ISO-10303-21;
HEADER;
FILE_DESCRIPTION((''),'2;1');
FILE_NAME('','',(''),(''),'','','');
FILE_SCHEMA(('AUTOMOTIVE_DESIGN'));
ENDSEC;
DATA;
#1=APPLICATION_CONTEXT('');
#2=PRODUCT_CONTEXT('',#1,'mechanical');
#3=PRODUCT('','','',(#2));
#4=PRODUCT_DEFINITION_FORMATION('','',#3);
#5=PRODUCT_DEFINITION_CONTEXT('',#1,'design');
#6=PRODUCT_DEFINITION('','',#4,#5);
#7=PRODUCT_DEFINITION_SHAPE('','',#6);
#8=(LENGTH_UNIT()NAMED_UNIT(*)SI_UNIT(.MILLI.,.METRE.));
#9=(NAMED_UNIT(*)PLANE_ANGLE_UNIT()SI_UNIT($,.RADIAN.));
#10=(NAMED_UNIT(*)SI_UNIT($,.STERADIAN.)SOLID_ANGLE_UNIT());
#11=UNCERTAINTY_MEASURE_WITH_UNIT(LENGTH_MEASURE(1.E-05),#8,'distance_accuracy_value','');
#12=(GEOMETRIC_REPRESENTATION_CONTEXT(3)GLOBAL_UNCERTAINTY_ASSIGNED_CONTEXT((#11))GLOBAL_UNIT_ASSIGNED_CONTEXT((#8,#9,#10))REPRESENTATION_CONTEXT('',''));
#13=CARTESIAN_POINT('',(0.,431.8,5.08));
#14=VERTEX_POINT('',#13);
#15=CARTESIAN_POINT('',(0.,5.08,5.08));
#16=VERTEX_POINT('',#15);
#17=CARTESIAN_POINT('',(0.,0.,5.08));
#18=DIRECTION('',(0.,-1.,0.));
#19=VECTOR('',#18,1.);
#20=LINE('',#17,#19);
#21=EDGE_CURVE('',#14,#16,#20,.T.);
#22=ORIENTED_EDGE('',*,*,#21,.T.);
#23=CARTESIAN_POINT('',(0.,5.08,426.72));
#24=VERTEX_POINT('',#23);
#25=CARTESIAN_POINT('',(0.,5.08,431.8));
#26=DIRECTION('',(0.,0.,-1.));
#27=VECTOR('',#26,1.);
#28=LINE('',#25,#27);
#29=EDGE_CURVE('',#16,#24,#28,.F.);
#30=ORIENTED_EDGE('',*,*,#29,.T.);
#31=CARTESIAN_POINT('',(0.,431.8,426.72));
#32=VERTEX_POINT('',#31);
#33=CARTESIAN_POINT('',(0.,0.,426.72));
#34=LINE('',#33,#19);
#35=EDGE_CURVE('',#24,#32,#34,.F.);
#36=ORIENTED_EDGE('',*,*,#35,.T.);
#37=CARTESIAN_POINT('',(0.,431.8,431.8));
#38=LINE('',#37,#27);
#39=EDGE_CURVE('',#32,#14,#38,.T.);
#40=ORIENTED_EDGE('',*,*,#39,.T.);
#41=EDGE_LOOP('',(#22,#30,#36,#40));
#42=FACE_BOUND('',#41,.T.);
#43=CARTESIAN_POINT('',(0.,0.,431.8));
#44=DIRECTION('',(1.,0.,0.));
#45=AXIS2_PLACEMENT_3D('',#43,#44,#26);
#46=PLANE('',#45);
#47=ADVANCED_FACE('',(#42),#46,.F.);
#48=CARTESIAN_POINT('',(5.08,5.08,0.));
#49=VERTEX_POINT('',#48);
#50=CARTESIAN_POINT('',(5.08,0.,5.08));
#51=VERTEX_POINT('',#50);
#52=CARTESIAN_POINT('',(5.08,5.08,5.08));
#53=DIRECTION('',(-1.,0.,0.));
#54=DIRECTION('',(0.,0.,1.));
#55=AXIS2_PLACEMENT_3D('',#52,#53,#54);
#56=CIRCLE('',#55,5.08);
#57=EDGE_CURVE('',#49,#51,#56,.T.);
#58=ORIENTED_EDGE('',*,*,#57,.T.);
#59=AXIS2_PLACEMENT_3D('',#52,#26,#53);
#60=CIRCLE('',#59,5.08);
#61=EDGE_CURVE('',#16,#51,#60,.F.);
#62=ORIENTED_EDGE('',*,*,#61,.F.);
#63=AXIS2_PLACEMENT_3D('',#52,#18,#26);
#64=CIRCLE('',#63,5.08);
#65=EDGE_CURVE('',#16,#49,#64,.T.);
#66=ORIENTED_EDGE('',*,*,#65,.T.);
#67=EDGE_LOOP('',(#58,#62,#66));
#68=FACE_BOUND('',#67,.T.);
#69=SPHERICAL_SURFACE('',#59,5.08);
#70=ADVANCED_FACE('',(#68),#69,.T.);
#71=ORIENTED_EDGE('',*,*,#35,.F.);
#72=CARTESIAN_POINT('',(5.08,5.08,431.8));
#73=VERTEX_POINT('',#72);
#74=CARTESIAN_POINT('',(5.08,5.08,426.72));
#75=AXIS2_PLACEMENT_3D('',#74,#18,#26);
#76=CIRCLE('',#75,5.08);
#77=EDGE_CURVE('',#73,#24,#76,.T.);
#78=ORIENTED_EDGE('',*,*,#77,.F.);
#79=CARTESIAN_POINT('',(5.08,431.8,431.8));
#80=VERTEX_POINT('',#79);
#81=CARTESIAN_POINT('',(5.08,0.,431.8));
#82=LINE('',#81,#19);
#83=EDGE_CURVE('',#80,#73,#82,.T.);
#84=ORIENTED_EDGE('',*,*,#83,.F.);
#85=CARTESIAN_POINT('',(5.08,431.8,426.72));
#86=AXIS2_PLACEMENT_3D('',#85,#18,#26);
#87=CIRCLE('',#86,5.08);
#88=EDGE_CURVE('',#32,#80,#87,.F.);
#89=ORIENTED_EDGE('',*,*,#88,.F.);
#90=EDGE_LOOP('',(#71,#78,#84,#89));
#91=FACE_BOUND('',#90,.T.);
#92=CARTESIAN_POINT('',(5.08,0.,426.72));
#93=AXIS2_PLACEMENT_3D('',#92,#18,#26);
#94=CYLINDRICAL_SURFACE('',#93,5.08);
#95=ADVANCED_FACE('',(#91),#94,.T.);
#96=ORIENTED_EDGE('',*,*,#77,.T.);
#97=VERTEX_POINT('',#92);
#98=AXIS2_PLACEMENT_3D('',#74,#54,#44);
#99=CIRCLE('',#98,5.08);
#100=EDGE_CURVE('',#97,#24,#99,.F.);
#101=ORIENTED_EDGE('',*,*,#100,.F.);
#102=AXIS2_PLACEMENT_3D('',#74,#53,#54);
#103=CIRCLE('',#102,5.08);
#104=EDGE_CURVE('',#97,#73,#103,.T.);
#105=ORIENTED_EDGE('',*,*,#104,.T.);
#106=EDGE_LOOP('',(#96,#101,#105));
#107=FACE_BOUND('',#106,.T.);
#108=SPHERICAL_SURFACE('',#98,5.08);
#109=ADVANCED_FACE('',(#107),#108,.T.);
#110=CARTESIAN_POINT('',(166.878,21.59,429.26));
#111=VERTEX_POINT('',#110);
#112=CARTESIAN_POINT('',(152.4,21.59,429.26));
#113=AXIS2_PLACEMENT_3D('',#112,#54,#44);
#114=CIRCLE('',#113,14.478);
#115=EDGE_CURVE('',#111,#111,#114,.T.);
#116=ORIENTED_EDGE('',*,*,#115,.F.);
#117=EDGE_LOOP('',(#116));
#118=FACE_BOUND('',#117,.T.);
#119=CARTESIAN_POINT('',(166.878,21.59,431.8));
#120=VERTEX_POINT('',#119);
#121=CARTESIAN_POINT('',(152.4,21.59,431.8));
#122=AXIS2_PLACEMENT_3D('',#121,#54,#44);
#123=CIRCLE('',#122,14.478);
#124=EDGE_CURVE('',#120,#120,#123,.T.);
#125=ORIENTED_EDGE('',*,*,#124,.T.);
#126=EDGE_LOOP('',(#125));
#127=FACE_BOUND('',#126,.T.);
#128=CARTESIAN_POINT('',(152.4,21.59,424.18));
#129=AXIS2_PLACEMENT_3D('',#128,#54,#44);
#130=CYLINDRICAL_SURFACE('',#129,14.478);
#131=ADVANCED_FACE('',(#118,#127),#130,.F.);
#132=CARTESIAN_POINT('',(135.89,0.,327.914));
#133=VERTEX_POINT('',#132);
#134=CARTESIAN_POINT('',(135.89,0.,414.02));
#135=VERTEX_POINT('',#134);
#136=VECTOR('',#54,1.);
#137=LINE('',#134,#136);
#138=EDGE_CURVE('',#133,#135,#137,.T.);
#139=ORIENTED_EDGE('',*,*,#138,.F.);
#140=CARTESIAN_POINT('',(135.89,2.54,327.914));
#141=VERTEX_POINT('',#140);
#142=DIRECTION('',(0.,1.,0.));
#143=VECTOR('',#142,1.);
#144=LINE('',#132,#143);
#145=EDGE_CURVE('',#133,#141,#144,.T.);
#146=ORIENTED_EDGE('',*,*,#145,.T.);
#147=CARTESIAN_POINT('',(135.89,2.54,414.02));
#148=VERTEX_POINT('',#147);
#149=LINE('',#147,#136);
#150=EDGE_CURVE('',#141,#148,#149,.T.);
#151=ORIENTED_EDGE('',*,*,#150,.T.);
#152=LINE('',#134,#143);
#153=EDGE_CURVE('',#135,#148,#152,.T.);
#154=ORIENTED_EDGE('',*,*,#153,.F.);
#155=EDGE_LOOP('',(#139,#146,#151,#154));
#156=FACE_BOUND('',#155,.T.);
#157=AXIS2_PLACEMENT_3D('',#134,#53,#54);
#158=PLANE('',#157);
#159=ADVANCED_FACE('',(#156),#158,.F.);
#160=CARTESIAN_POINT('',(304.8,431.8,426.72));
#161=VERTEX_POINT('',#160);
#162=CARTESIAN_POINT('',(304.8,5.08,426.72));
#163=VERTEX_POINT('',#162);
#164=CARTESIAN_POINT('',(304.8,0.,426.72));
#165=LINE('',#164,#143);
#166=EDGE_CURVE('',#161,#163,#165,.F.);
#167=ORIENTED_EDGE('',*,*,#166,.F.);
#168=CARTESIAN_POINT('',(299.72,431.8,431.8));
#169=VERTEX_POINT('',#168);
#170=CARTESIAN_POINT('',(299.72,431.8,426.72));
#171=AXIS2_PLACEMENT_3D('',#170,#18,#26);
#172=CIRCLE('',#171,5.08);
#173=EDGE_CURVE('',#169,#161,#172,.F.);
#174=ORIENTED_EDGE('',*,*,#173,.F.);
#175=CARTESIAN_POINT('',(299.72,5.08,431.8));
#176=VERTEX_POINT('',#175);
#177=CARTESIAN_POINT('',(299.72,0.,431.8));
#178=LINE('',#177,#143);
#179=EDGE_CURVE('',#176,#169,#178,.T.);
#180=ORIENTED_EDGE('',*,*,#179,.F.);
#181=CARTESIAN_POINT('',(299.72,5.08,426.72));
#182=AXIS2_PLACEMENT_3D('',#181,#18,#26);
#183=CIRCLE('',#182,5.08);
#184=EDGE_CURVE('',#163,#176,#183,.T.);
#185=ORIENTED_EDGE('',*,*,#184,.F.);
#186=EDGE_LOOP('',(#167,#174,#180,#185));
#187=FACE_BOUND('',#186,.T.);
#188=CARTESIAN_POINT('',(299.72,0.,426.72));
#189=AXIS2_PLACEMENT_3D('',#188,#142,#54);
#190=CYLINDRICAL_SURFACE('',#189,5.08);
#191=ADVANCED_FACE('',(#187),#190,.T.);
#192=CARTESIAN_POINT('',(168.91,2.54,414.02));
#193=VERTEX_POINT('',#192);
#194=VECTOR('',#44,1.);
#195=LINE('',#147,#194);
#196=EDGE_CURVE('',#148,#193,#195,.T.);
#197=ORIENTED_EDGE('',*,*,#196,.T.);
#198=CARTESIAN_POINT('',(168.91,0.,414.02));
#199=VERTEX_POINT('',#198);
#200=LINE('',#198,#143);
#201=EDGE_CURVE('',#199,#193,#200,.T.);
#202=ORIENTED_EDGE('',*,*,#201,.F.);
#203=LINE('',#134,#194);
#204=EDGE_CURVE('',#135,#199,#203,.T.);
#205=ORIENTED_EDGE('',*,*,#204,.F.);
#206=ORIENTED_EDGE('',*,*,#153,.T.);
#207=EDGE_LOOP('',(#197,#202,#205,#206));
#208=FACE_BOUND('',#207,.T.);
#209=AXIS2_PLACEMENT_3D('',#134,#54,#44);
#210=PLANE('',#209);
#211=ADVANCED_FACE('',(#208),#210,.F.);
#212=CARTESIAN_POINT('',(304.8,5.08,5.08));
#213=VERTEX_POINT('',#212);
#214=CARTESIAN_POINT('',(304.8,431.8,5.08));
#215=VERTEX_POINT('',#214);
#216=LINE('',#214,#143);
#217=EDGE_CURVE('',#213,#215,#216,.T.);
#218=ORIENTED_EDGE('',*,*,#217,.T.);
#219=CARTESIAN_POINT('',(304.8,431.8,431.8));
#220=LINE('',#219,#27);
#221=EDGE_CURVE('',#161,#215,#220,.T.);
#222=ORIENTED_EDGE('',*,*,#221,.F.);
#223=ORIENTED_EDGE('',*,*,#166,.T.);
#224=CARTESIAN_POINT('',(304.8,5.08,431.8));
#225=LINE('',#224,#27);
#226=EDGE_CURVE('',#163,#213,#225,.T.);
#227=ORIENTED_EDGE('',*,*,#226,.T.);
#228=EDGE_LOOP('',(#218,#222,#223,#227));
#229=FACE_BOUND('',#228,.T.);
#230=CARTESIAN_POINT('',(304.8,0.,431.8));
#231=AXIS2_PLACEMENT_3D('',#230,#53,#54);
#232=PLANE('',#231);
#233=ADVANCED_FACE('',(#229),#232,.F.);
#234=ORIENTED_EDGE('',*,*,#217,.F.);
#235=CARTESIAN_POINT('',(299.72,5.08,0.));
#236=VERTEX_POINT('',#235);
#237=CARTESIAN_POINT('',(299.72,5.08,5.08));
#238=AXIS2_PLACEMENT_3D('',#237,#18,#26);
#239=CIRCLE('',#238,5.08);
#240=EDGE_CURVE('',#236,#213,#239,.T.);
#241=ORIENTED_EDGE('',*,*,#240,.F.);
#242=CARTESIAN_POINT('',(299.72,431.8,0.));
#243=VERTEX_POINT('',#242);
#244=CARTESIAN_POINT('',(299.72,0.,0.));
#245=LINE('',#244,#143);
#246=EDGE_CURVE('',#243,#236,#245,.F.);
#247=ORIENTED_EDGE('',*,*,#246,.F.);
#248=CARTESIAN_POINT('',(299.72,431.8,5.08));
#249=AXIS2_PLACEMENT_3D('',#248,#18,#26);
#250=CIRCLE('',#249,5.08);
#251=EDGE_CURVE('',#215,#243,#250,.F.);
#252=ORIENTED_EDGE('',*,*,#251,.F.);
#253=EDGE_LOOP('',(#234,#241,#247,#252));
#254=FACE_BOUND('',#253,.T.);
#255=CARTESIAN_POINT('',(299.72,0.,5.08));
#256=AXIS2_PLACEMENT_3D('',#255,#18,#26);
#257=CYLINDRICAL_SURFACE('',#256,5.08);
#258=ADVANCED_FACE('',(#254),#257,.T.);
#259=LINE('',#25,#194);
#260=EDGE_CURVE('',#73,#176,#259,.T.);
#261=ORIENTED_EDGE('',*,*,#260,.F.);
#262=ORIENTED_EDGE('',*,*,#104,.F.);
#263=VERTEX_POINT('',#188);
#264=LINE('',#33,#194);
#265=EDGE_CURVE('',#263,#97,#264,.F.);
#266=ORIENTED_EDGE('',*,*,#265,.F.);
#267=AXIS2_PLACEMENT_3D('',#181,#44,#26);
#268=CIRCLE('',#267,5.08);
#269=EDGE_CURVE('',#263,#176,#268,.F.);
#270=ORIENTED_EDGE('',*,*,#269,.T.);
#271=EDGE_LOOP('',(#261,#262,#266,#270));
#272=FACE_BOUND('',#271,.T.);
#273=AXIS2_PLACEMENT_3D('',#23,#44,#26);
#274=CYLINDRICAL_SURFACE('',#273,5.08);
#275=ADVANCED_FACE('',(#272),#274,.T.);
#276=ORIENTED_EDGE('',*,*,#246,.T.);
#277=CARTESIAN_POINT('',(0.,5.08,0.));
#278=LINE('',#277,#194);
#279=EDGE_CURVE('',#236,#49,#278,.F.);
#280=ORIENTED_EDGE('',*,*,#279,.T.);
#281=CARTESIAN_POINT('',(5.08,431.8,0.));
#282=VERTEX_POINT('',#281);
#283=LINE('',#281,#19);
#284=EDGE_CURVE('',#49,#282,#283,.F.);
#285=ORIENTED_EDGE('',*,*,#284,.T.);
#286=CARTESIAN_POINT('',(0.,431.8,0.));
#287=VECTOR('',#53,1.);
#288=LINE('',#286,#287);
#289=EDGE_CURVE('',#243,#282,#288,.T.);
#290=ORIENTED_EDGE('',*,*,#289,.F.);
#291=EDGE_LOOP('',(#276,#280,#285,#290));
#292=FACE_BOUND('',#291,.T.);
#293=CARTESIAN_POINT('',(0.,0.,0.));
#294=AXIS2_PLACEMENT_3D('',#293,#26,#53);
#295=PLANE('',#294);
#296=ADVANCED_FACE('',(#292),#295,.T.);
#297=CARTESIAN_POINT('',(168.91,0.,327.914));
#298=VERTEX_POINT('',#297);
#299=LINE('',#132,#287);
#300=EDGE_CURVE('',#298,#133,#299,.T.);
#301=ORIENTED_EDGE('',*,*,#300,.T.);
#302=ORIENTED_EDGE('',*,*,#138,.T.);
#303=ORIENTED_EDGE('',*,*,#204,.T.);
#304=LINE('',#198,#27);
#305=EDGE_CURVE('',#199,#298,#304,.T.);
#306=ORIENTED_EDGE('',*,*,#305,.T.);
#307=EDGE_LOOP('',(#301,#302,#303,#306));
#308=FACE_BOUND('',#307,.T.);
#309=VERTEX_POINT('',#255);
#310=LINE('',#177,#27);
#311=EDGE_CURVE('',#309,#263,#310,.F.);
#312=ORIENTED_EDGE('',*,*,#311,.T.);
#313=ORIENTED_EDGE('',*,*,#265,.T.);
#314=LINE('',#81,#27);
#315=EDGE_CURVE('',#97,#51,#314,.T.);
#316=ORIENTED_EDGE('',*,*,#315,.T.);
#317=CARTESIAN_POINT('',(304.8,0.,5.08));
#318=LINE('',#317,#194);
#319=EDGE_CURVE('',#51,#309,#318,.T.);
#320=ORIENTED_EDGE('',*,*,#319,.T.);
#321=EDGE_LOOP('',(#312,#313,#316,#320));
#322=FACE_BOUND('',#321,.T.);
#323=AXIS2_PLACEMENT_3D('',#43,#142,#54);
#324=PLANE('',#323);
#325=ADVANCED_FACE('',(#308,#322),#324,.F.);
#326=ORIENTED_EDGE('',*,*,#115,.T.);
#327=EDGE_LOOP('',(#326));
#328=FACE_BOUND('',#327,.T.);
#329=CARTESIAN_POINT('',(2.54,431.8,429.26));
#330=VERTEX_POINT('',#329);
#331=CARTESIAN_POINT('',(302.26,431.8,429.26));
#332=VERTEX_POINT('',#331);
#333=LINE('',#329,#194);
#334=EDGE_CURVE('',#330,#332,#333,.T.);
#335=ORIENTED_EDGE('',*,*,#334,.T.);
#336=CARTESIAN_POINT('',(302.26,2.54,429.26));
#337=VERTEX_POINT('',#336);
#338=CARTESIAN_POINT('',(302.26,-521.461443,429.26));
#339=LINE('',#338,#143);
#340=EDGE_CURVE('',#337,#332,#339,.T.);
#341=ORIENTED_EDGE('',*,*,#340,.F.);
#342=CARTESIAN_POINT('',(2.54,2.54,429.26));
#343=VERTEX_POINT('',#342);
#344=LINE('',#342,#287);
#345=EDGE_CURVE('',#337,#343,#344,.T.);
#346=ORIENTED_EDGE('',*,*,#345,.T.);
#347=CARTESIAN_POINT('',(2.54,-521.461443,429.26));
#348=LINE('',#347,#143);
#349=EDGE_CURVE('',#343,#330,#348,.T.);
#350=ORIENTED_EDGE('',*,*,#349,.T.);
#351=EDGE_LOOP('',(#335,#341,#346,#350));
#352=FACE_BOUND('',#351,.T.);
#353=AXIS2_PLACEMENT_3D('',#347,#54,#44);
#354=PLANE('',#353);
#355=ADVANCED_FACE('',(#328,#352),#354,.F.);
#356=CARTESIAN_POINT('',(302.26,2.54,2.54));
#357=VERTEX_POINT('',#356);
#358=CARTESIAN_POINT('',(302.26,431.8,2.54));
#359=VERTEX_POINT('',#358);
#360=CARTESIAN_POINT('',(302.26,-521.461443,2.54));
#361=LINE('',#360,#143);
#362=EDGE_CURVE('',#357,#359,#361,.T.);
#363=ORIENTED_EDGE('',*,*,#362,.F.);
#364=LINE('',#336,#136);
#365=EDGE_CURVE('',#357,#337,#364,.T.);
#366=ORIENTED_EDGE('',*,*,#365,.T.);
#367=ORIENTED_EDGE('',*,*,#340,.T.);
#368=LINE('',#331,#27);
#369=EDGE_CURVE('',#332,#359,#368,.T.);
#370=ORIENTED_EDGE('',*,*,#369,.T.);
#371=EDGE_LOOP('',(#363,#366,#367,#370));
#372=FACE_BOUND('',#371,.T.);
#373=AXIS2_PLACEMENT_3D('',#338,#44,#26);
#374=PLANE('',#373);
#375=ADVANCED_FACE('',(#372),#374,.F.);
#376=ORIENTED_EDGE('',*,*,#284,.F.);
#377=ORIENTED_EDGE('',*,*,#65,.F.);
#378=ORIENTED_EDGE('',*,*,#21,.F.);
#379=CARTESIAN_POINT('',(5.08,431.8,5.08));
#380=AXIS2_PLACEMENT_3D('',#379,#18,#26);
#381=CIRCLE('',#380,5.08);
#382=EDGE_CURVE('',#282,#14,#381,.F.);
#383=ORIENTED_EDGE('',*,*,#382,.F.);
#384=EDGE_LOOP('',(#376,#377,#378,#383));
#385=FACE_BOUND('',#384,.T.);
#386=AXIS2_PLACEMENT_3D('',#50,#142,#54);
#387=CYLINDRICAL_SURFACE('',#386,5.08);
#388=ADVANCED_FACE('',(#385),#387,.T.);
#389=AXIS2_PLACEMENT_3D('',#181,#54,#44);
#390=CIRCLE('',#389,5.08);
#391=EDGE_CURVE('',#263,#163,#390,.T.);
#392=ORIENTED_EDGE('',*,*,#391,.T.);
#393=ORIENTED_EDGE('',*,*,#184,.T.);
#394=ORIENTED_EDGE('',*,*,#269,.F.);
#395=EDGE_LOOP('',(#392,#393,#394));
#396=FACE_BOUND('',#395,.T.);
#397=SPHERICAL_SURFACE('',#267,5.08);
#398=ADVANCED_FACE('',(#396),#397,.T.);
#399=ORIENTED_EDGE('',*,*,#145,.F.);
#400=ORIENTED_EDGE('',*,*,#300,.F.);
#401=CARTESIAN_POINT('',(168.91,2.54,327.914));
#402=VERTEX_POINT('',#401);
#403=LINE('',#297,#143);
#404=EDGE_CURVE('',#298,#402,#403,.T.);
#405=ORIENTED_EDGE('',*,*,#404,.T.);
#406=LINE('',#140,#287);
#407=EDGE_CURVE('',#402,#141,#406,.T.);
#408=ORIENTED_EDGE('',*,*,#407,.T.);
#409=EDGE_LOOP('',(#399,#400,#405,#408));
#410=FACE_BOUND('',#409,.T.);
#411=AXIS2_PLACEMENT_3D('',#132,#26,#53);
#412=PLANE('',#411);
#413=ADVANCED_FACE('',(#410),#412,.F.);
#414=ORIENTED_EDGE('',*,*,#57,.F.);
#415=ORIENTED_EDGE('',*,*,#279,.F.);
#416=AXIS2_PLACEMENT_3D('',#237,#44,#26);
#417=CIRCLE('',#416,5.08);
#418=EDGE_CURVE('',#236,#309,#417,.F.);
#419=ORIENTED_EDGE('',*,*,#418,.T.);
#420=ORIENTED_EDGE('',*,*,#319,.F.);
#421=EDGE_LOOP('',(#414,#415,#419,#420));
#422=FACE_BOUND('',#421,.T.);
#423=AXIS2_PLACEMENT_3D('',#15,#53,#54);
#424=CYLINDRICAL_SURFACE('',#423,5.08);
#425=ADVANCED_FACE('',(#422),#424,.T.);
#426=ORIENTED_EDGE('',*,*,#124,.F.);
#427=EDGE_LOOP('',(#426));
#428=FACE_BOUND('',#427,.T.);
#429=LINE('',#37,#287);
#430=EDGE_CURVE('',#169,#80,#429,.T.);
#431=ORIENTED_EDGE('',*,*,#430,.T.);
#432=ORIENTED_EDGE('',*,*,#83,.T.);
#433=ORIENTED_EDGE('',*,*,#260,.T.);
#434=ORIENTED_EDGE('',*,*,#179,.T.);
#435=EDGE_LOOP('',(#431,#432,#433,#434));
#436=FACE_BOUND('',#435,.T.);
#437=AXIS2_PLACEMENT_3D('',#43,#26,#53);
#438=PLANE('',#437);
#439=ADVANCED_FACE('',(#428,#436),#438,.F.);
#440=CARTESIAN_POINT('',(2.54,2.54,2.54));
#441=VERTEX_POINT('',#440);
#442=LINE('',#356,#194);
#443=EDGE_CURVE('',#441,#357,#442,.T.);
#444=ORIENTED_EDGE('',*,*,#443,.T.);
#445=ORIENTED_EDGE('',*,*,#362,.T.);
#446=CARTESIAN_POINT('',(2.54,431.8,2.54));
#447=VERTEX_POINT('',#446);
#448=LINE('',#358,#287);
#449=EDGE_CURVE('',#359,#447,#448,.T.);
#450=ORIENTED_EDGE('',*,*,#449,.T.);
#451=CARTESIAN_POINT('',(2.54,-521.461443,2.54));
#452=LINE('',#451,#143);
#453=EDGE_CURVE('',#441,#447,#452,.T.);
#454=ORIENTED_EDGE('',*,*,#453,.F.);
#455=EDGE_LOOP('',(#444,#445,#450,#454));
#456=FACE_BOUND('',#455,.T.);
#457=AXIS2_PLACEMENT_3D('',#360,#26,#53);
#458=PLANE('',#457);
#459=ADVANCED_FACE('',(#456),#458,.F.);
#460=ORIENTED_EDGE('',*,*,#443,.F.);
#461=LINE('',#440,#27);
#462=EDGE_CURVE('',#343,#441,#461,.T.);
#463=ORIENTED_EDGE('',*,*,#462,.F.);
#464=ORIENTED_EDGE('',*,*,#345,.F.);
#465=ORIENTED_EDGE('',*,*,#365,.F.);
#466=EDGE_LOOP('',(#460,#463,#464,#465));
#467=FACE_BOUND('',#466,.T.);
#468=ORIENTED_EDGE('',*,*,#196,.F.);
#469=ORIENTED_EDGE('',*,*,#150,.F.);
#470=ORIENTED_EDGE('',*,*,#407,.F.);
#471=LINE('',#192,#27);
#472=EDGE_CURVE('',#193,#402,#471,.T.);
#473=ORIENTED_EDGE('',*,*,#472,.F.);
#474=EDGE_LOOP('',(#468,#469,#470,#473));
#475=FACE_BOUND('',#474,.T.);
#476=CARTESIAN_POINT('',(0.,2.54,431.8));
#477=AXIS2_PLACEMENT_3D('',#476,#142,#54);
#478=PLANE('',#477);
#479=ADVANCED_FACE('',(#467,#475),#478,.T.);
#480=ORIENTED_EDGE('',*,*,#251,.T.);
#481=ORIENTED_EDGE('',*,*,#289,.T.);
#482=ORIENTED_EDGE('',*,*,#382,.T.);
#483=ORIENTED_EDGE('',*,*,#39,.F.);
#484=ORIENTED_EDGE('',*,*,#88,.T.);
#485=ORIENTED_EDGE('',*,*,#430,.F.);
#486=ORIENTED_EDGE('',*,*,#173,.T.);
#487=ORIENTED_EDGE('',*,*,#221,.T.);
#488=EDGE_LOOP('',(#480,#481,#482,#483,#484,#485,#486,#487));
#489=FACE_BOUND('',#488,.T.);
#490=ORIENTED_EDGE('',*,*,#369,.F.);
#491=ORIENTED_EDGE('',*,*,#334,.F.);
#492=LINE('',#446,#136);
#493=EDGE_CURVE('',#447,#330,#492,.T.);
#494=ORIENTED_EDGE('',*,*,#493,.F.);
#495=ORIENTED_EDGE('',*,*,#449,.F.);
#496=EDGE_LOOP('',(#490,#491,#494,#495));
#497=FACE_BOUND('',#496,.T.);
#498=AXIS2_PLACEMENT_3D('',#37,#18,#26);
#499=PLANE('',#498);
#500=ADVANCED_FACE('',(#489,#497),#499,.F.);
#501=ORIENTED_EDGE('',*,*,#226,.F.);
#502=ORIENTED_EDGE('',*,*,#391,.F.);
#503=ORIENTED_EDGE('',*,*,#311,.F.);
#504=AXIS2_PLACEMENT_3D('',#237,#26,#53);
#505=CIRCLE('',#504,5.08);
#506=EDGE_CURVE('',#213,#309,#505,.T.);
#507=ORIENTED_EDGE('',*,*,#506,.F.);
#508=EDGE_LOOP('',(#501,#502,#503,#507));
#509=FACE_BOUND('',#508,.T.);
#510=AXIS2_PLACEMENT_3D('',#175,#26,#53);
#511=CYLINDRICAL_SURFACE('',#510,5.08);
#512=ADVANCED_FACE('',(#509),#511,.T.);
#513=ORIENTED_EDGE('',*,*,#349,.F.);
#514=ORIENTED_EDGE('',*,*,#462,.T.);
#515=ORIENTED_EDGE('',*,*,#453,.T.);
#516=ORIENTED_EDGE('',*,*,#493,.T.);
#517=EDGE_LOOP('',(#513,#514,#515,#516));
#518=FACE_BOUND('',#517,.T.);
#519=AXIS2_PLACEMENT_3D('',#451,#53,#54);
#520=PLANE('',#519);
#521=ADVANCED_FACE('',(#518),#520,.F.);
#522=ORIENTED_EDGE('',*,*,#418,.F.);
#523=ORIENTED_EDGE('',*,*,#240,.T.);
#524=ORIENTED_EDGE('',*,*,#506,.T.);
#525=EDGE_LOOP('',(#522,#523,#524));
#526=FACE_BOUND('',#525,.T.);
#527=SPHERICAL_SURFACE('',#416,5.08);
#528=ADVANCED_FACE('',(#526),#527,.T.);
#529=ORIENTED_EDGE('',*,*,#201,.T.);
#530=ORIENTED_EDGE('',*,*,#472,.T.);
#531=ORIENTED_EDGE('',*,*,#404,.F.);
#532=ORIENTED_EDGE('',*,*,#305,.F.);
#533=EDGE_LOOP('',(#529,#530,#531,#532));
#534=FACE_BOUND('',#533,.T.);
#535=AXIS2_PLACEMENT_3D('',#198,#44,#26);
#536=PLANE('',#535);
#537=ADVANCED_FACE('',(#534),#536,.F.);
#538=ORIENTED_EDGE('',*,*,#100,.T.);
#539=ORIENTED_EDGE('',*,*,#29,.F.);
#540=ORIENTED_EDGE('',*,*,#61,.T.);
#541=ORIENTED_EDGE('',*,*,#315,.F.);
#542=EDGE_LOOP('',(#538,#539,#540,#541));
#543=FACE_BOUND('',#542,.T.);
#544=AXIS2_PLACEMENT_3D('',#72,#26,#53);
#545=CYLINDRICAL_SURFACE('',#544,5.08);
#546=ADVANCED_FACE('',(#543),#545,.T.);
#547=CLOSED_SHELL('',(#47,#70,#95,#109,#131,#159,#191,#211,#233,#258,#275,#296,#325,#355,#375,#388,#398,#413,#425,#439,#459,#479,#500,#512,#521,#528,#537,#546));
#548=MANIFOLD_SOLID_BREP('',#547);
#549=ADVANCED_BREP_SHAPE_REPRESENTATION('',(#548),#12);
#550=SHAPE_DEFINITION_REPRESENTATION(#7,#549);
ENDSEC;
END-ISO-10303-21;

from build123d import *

# Parameters (mm, degrees)
SKETCH1_W           = 304.8
SKETCH1_H           = 431.8
BOSS_EXTRUDE1_DEPTH = 431.8
SKETCH2_W           = 299.72
SKETCH2_H           = 426.72
CUT_EXTRUDE1_DEPTH  = 429.26
FILLET1_R           = 5.08
SKETCH3_W           = 33.02
SKETCH3_H           = 86.106
CUT_EXTRUDE2_DEPTH  = 3.54
SKETCH10_R          = 14.478
CUT_EXTRUDE7_DEPTH  = 7.62


with BuildPart() as part:
    # Sketch1 → Boss-Extrude1 (new body)
    with BuildSketch(Plane.XY):
        with Locations((152.4, 215.9)):
            Rectangle(SKETCH1_W, SKETCH1_H)
    extrude(amount=BOSS_EXTRUDE1_DEPTH)

    # Sketch2 → Cut-Extrude1 (cut)
    with BuildSketch(Plane(origin=(0, 431.8, 0), x_dir=(1, 0, 0), z_dir=(0, 1, 0))):
        with Locations((152.4, -215.9)):
            Rectangle(SKETCH2_W, SKETCH2_H)
    extrude(amount=-CUT_EXTRUDE1_DEPTH, mode=Mode.SUBTRACT)

    # Fillet1
    fillet1_edges = [part.edges().sort_by_distance(p)[0] for p in [
        (304.8, 215.9, 431.8),
        (0, 215.9, 431.8),
        (304.8, 215.9, 0),
        (152.4, 0, 0),
        (0, 215.9, 0),
        (304.8, 0, 215.9),
        (0, 0, 215.9),
        (152.4, 0, 431.8),
    ]]
    fillet(fillet1_edges, radius=FILLET1_R)

    # Sketch3 → Cut-Extrude2 (cut, through all)
    with BuildSketch(Plane(origin=(0, 2.54, 0), x_dir=(1, 0, 0), z_dir=(0, 1, 0))):
        with Locations((152.4, -370.967)):
            Rectangle(SKETCH3_W, SKETCH3_H)
    extrude(amount=-CUT_EXTRUDE2_DEPTH, mode=Mode.SUBTRACT)

    # Sketch10 → Cut-Extrude7 (cut)
    with BuildSketch(Plane.XY.offset(431.8)):
        with Locations((152.4, 21.59)):
            Circle(SKETCH10_R)
    extrude(amount=-CUT_EXTRUDE7_DEPTH, mode=Mode.SUBTRACT)


solid = part.part
